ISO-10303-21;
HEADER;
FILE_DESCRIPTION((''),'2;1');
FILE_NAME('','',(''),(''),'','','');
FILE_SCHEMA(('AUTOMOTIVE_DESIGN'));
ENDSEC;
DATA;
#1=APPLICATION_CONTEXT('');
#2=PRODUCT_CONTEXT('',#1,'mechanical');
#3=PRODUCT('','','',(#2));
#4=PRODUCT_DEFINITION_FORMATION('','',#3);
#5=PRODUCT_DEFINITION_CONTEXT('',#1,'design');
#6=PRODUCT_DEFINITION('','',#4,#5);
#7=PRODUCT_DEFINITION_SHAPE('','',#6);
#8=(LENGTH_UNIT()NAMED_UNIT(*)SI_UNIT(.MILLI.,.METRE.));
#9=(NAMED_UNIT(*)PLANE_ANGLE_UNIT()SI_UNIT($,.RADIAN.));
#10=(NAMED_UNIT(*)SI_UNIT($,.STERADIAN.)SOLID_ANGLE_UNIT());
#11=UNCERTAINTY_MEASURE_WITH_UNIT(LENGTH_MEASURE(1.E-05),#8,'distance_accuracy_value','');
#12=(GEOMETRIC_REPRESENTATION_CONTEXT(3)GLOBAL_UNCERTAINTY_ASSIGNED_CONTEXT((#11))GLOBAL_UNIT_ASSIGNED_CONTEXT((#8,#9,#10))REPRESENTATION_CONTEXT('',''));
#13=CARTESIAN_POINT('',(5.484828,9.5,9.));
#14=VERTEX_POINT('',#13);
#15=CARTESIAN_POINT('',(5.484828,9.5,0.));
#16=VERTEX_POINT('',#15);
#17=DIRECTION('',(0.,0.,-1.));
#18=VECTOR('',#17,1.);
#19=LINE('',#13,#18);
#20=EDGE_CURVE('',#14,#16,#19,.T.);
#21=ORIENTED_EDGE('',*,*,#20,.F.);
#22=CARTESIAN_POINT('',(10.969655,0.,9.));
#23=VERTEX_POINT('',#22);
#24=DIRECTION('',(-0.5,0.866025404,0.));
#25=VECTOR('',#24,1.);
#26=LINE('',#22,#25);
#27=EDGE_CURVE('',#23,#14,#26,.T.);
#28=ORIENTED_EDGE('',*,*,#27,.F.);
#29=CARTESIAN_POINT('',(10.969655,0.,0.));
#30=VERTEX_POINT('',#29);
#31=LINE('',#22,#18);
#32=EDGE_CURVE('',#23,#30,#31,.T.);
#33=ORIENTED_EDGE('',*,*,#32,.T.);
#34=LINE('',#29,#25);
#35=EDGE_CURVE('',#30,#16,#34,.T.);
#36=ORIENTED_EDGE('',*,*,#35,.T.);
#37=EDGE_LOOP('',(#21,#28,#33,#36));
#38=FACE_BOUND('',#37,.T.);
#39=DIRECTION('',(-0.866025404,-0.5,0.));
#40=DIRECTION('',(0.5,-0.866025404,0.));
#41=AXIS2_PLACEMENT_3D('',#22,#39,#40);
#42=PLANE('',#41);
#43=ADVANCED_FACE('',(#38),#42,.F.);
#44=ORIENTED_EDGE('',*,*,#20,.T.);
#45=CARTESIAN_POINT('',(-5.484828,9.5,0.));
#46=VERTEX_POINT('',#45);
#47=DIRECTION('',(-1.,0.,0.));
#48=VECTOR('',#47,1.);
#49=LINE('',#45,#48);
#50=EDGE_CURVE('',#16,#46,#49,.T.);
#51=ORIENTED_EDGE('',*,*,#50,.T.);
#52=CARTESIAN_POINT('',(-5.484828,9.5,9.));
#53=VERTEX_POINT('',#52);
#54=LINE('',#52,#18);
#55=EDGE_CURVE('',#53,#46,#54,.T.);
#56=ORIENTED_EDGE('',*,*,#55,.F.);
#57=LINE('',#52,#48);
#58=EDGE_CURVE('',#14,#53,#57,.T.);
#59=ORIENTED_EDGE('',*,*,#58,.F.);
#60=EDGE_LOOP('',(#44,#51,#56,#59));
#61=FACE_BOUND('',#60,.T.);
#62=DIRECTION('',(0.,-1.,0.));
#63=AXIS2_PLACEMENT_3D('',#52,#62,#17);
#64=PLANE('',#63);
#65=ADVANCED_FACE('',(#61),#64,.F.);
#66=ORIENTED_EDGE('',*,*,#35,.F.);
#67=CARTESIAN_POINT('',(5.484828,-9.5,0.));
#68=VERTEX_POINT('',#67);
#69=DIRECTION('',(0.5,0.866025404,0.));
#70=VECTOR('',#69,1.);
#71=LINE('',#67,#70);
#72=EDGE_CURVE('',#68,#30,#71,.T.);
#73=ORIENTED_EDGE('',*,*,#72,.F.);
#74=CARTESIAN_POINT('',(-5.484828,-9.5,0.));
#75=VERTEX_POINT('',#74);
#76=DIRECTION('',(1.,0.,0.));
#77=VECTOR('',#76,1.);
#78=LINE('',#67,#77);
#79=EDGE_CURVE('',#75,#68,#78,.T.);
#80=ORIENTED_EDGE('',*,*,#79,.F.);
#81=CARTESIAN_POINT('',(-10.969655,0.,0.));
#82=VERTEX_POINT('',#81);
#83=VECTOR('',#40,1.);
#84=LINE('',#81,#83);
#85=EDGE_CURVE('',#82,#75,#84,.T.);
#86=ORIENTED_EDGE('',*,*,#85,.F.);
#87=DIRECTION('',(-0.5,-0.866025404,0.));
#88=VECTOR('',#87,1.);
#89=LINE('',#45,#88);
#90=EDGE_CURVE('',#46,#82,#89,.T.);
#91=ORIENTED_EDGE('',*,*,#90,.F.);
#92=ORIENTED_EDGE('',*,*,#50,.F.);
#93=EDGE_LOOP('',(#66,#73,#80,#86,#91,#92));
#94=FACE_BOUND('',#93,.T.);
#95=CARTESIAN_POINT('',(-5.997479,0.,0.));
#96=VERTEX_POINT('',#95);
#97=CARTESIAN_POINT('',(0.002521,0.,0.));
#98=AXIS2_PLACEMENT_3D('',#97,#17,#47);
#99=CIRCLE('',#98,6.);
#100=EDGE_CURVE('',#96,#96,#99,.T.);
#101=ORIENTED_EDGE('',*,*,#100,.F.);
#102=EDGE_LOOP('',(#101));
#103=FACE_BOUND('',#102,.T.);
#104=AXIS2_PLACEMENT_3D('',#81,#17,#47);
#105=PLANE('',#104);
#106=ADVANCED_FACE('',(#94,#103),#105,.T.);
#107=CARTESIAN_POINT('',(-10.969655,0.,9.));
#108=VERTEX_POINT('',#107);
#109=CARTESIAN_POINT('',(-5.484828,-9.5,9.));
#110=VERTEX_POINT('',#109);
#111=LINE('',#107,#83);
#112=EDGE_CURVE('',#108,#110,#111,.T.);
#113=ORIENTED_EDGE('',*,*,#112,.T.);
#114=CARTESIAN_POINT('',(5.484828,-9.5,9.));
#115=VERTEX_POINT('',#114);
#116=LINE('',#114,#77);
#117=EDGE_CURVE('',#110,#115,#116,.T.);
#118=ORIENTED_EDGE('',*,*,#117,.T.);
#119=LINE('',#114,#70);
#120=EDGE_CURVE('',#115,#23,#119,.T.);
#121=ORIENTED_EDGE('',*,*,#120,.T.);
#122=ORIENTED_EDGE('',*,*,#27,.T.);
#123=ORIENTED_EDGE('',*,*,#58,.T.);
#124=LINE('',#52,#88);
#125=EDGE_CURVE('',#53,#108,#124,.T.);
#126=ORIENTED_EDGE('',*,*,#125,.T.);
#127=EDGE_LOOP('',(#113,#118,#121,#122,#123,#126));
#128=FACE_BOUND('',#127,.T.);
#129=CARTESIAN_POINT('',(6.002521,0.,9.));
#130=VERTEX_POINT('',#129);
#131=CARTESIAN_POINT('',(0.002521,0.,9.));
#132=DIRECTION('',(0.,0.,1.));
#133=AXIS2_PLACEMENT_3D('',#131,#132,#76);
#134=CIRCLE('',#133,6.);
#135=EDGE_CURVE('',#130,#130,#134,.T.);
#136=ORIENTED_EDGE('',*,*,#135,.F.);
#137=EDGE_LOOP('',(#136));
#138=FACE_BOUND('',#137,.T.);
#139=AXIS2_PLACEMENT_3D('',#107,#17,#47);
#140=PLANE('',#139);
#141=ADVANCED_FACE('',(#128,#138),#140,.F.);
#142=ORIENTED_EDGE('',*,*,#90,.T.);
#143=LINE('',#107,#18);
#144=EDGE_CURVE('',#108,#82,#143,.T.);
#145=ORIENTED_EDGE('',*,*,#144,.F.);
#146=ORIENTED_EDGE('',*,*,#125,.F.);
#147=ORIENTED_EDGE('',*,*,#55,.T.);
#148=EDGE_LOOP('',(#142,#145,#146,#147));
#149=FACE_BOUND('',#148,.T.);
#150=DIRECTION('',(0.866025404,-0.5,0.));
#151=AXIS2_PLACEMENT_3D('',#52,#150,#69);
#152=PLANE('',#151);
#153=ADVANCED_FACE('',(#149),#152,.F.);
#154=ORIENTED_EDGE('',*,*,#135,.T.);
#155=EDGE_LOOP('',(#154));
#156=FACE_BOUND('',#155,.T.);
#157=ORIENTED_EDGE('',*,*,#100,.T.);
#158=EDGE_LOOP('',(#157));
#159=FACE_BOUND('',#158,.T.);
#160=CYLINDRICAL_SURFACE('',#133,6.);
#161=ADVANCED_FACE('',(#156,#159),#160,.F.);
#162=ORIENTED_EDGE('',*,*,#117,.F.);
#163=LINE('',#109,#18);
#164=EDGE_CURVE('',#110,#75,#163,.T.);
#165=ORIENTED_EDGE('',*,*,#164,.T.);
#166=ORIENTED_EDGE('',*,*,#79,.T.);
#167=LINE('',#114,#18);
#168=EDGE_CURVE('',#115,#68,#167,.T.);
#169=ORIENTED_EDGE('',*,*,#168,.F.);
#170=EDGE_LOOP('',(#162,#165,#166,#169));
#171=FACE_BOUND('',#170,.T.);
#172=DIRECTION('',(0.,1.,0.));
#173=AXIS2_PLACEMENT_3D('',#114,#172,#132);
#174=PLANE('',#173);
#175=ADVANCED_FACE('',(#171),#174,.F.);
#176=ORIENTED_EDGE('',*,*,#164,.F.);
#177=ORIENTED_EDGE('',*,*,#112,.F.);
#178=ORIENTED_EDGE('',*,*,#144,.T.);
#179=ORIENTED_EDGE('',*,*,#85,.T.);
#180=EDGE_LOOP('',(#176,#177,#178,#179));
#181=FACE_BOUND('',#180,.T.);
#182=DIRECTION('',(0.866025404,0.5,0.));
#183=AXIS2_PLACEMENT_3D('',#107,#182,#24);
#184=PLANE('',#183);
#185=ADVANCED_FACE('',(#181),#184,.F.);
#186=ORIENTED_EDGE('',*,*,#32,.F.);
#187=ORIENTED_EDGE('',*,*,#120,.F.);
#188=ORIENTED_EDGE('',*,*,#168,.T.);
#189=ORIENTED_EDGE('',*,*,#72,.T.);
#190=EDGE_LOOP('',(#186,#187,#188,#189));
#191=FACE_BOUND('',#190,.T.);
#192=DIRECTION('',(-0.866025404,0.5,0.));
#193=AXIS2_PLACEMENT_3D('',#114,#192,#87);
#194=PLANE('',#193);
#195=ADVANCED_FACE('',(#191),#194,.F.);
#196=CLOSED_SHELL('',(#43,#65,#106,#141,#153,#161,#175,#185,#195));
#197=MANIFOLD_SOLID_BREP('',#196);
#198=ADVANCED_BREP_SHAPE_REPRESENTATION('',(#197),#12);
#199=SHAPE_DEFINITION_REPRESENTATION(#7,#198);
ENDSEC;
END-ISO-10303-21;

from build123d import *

# Parameters (mm, degrees)
EXTRUDE_1_DEPTH        = 9
M12X1_25_1_D           = 10.8
M12X1_25_1_DEPTH       = 27.75
M12X1_25_1_CBORE_D     = 12
M12X1_25_1_CBORE_DEPTH = 24
M12X1_25_1_TIP         = 3.244647343


with BuildPart() as part:
    # 草图1 → 拉伸1 (new body)
    with BuildSketch(Plane.XY):
        Polygon((-5.484827557, 9.5), (5.484827557, 9.5), (10.969655115, 0), (5.484827557, -9.5), (-5.484827557, -9.5), (-10.969655115, 0), align=None)
    extrude(amount=EXTRUDE_1_DEPTH)

    # M12x1.25 螺纹孔1
    with Locations(Plane(origin=(0.002521047, 0, 9), x_dir=(1, 0, 0), z_dir=(0, 0, 1))):
        with Locations((0, 0)):
            CounterBoreHole(M12X1_25_1_D / 2, M12X1_25_1_CBORE_D / 2, M12X1_25_1_CBORE_DEPTH, depth=M12X1_25_1_DEPTH)
            with Locations((0, 0, -(M12X1_25_1_DEPTH + M12X1_25_1_TIP / 2))):  # 118° drill point
                Cone(0, M12X1_25_1_D / 2, M12X1_25_1_TIP, mode=Mode.SUBTRACT)


solid = part.part
